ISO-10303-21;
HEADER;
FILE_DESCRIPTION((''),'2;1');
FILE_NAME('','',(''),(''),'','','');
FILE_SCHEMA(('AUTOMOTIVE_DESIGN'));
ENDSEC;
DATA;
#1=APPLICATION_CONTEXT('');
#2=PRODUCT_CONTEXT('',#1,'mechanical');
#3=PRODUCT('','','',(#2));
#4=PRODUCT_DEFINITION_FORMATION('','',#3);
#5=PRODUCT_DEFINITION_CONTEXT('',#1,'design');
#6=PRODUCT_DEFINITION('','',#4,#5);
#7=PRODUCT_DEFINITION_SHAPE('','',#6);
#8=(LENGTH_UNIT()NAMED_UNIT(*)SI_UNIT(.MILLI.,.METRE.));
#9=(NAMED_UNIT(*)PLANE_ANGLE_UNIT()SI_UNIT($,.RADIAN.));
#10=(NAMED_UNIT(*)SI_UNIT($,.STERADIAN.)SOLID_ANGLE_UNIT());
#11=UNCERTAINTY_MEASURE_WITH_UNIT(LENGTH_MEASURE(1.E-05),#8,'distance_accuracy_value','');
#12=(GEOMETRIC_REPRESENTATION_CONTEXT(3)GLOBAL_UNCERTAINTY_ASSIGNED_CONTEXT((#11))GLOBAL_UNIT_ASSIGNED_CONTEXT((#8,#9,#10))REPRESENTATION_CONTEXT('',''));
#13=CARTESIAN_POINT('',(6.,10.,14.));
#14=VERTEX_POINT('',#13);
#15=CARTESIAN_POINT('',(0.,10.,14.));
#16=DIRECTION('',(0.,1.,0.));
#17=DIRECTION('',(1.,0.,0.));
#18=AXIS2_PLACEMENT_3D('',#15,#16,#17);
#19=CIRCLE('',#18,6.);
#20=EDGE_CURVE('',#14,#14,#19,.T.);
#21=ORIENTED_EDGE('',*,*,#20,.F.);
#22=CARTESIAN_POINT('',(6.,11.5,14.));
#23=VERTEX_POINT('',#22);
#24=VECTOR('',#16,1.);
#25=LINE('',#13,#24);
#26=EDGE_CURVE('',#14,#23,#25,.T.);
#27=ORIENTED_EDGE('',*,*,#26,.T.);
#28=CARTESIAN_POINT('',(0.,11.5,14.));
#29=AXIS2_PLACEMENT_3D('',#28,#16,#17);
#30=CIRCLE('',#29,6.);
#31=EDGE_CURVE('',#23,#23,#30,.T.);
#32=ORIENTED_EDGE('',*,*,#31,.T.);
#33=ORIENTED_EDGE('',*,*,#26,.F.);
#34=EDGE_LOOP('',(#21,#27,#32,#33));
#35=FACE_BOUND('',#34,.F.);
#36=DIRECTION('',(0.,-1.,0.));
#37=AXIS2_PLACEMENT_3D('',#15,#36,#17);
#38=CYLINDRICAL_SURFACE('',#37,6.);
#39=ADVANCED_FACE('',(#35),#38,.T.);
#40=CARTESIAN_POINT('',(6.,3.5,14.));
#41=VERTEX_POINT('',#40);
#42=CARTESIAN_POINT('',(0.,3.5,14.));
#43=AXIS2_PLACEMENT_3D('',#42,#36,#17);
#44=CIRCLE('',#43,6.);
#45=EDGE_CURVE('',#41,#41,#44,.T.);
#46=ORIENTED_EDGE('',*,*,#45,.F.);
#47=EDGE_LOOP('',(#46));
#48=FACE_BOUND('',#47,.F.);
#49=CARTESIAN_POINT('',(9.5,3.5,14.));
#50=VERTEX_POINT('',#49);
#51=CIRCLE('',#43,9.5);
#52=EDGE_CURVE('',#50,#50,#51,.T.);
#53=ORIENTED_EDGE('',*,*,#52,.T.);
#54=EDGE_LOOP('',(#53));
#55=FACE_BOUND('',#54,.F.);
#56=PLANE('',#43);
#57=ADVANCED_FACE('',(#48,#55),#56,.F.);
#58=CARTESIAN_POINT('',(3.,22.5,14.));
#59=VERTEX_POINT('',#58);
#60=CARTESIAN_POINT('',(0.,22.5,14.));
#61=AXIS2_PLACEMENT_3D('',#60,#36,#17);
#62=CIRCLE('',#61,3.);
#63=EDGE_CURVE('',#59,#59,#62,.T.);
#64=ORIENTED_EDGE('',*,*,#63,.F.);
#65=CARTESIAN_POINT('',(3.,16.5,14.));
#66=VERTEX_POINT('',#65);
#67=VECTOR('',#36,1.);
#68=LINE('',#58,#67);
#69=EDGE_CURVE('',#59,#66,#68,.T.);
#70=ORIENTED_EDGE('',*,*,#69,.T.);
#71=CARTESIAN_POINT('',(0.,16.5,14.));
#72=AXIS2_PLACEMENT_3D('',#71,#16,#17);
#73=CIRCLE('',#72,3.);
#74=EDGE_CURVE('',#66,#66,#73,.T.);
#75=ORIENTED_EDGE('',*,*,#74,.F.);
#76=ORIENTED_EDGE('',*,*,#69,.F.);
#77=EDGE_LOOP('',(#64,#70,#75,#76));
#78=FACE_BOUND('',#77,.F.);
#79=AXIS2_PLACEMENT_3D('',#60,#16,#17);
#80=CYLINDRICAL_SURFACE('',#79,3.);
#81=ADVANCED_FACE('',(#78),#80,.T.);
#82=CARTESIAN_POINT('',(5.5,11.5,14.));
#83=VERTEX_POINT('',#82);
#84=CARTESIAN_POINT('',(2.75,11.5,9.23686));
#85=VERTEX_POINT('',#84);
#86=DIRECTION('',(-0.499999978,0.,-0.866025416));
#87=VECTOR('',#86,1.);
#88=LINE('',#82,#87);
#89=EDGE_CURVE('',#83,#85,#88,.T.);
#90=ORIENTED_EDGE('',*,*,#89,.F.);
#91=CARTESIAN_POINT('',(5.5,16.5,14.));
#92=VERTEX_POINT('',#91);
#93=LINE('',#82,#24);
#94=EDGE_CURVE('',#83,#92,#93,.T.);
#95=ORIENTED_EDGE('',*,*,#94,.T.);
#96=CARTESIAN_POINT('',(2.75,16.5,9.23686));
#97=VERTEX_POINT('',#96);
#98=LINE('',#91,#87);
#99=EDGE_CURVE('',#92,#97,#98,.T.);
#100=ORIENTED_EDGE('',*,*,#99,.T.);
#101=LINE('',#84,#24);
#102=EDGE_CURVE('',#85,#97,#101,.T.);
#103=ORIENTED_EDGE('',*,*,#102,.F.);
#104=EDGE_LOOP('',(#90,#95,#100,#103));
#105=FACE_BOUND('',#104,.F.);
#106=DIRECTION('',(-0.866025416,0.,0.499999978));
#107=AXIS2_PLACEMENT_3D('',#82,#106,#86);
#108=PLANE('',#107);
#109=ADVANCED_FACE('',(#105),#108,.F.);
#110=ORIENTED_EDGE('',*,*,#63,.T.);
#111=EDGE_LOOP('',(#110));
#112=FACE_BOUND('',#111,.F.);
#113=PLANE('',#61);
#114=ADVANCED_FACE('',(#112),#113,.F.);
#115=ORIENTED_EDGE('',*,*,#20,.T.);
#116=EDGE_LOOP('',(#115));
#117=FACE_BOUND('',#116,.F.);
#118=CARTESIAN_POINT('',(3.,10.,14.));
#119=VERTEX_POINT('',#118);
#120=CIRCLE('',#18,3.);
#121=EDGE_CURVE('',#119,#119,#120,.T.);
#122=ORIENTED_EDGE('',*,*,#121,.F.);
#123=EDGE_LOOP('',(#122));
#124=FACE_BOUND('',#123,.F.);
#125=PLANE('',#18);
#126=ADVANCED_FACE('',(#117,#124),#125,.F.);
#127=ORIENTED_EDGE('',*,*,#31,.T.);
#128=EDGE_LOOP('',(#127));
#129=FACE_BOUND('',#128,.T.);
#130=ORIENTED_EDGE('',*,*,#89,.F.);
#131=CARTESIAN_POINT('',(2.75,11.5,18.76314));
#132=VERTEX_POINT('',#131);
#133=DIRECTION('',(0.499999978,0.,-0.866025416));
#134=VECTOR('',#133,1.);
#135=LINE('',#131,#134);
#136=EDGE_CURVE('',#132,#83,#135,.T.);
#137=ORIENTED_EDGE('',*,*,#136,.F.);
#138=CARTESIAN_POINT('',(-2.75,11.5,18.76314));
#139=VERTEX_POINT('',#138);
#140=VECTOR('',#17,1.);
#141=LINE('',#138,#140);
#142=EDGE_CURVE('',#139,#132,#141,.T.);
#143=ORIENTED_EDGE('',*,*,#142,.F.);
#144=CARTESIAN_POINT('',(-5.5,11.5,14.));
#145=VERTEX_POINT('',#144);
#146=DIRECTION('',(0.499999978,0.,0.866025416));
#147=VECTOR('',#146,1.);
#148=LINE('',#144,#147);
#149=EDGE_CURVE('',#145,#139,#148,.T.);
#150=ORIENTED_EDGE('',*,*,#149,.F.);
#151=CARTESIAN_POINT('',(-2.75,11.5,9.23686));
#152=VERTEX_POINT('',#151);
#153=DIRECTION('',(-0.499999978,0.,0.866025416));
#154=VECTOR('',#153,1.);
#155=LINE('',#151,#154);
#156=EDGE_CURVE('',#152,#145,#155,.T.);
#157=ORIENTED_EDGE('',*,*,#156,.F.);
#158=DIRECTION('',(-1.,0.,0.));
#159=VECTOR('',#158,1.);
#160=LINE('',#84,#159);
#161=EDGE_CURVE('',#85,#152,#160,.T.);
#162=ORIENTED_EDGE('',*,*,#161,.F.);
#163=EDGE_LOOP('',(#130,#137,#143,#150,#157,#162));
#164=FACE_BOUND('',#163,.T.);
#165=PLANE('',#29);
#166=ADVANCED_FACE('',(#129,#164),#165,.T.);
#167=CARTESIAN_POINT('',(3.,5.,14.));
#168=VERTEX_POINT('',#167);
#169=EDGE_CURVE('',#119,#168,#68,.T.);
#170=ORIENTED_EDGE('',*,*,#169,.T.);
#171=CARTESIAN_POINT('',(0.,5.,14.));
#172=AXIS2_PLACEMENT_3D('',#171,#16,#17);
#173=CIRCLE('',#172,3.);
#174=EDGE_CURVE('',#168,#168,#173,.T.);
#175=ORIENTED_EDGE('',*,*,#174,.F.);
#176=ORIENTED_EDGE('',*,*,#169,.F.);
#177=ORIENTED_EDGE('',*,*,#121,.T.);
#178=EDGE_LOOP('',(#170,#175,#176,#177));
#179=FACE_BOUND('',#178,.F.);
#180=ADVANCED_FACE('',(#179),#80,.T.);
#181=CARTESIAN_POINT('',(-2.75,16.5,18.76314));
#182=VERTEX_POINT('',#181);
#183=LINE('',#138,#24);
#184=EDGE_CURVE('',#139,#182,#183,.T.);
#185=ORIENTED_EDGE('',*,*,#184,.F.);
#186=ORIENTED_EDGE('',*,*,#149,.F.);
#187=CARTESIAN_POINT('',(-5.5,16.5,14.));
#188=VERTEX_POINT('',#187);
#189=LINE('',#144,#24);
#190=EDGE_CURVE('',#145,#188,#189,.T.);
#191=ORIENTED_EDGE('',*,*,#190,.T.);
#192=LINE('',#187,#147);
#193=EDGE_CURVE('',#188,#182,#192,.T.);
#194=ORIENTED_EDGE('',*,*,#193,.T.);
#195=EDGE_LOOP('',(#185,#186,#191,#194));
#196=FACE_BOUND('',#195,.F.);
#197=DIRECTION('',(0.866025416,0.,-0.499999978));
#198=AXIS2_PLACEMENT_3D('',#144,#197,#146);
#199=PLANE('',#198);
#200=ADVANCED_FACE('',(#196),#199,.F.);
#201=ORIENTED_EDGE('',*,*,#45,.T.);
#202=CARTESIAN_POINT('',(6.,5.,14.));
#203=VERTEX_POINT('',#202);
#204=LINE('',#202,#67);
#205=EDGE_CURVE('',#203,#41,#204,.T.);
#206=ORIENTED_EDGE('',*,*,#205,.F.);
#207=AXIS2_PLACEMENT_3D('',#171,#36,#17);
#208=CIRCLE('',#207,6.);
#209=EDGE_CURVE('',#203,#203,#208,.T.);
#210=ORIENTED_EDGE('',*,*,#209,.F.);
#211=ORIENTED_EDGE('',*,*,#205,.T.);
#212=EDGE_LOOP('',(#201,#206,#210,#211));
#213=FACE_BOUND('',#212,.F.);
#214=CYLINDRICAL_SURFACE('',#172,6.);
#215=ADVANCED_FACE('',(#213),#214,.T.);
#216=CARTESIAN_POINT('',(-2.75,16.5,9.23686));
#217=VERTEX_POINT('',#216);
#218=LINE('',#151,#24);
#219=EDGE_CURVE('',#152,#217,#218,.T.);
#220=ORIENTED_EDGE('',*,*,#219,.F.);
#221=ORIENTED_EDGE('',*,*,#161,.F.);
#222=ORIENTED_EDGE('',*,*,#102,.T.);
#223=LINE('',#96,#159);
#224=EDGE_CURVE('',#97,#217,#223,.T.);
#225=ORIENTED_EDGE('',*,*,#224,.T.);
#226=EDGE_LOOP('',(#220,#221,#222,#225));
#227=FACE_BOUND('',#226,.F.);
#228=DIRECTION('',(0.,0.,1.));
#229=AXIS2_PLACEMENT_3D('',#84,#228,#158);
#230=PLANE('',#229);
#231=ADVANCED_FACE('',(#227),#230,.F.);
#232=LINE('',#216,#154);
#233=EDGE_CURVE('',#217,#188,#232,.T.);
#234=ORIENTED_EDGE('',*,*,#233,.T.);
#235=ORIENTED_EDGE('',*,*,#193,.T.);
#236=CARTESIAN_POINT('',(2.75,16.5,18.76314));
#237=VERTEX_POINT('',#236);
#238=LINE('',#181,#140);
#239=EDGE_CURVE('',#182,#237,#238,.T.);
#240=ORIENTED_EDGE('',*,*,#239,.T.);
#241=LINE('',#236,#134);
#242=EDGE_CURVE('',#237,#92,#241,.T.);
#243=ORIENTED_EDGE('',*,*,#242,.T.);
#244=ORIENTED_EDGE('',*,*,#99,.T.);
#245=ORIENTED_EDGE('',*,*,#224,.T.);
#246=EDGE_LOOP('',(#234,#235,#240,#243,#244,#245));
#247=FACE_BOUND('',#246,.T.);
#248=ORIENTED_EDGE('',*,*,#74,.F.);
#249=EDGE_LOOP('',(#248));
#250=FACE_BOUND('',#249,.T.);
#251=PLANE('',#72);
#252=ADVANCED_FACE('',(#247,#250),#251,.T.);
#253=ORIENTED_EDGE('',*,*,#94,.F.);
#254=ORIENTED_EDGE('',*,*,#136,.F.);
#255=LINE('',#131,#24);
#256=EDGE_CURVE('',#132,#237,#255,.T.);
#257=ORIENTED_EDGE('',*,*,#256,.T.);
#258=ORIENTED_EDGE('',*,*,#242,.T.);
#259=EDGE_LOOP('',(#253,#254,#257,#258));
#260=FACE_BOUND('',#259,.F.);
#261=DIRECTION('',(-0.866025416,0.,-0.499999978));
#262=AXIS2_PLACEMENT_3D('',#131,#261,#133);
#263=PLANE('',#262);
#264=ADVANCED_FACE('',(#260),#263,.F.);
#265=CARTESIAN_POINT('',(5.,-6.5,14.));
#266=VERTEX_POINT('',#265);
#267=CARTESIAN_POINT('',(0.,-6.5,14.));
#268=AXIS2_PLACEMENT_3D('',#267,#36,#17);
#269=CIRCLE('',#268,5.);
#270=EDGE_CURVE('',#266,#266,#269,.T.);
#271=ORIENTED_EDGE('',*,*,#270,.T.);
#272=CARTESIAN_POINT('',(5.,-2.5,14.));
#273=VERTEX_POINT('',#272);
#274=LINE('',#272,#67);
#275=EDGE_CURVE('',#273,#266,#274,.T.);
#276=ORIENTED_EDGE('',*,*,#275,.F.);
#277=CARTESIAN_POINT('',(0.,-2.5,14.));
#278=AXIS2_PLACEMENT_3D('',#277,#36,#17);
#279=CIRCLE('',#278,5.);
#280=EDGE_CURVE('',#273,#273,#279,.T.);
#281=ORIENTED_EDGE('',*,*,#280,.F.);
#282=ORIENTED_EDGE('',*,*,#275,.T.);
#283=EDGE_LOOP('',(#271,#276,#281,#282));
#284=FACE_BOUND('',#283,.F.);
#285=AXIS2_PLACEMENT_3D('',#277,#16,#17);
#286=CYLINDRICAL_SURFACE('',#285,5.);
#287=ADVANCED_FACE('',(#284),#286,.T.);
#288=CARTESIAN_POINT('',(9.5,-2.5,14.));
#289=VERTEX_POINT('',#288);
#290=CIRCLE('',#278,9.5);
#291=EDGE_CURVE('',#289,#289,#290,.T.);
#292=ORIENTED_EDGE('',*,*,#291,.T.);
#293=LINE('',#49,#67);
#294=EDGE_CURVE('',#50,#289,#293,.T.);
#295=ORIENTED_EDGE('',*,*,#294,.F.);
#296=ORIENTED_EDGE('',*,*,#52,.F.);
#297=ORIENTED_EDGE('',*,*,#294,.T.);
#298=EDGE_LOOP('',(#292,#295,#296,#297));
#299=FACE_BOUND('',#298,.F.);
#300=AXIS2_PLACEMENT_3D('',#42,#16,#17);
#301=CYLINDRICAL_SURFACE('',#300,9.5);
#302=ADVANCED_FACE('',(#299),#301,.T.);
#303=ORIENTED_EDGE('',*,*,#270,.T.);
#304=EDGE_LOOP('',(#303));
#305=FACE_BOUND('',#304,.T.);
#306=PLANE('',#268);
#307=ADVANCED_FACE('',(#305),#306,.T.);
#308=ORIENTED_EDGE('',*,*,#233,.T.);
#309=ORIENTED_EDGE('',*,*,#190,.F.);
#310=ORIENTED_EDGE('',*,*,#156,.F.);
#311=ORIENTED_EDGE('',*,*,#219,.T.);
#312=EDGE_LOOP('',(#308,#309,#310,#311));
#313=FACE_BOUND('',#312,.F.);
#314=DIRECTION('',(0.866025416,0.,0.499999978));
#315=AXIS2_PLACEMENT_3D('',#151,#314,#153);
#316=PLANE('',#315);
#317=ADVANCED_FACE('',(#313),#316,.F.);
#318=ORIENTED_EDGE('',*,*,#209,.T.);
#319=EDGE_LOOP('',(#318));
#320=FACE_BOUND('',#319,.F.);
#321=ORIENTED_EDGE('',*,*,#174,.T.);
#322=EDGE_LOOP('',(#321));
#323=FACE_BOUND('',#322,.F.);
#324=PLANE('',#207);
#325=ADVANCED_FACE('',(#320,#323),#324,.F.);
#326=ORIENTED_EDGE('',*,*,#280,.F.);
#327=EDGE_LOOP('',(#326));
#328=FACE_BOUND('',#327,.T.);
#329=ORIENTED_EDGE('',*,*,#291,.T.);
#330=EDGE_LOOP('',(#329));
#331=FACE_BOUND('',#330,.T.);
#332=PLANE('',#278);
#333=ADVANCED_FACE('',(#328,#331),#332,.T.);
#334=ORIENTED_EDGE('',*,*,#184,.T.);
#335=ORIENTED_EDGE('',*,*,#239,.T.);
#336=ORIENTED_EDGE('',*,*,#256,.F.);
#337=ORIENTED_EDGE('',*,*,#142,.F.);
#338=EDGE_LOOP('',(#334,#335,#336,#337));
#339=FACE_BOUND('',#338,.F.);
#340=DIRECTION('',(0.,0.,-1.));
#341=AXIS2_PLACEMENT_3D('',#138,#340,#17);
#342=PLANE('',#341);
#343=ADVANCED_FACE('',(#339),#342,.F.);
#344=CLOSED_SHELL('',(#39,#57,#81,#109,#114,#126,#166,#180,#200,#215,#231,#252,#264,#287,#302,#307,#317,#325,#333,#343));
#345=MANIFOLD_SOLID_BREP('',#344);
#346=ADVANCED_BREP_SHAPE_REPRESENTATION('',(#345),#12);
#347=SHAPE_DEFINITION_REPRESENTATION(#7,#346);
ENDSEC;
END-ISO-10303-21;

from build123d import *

# Parameters (mm, degrees)
CYLINDER008_R           = 6
CYLINDER008_DEPTH       = 1.5
PRISM001_DEPTH          = 5
FUSION006003_ROLL_ANGLE = -90
CYLINDER006_R           = 3
CYLINDER006_DEPTH       = 25
CYLINDER007_R           = 5
CYLINDER007_DEPTH       = 4
FUSION006002_ROLL_ANGLE = 90
CYLINDER005_R           = 9.5
CYLINDER005_DEPTH       = 6
CYLINDER005_ROLL_ANGLE  = 90
CYLINDER009_R           = 6
CYLINDER009_DEPTH       = 1.5
CYLINDER009_ROLL_ANGLE  = 90


with BuildPart() as cylinder006:
    # Cylinder008 → Cylinder008 (new body)
    with BuildSketch(Plane.XY):
        Circle(CYLINDER008_R)
    extrude(amount=CYLINDER008_DEPTH)


with BuildPart() as fusion006003:
    # Prism001 → Prism001 (new body)
    with BuildSketch(Plane.XY.offset(1.5)):
        Polygon((5.5, 0), (2.75, 4.76314), (-2.75, 4.76314), (-5.5, 0), (-2.75, -4.76314), (2.75, -4.76314), align=None)
    extrude(amount=PRISM001_DEPTH)

    # Fusion006003: union Cylinder006
    add(cylinder006.part)


with BuildPart() as fusion006003_1:
    # Fusion006003 roll: moved
    add(fusion006003.part.rotate(Axis((0, 0, 0), (1, 0, 0)), FUSION006003_ROLL_ANGLE))


with BuildPart() as fusion006003_2:
    # Fusion006003 placement: moved
    add(fusion006003_1.part.moved(Location((0, 10, 14))))


with BuildPart() as cylinder004:
    # Cylinder006 → Cylinder006 (new body)
    with BuildSketch(Plane.XY):
        Circle(CYLINDER006_R)
    extrude(amount=CYLINDER006_DEPTH)


with BuildPart() as belt_bearing_screw:
    # Cylinder007 → Cylinder007 (new body)
    with BuildSketch(Plane.XY.offset(25)):
        Circle(CYLINDER007_R)
    extrude(amount=CYLINDER007_DEPTH)

    # Fusion006002: union Cylinder004
    add(cylinder004.part)


with BuildPart() as belt_bearing_screw_1:
    # Fusion006002 roll: moved
    add(belt_bearing_screw.part.rotate(Axis((0, 0, 0), (1, 0, 0)), FUSION006002_ROLL_ANGLE))


with BuildPart() as belt_bearing_screw_2:
    # Fusion006002 placement: moved
    add(belt_bearing_screw_1.part.moved(Location((0, 22.5, 14))))


with BuildPart() as belt_bearing:
    # Cylinder005 → Cylinder005 (new body)
    with BuildSketch(Plane.XY):
        Circle(CYLINDER005_R)
    extrude(amount=CYLINDER005_DEPTH)


with BuildPart() as belt_bearing_1:
    # Cylinder005 roll: moved
    add(belt_bearing.part.rotate(Axis((0, 0, 0), (1, 0, 0)), CYLINDER005_ROLL_ANGLE))


with BuildPart() as belt_bearing_2:
    # Cylinder005 placement: moved
    add(belt_bearing_1.part.moved(Location((0, 3.5, 14))))


with BuildPart() as belt_holder:
    # Cylinder009 → Cylinder009 (new body)
    with BuildSketch(Plane.XY):
        Circle(CYLINDER009_R)
    extrude(amount=CYLINDER009_DEPTH)


with BuildPart() as belt_holder_1:
    # Cylinder009 roll: moved
    add(belt_holder.part.rotate(Axis((0, 0, 0), (1, 0, 0)), CYLINDER009_ROLL_ANGLE))


with BuildPart() as belt_holder_2:
    # Cylinder009 placement: moved
    add(belt_holder_1.part.moved(Location((0, 5, 14))))

    # Fusion006004: union Fusion006003, Belt_Bearing_Screw, Belt_Bearing
    add(fusion006003_2.part)
    add(belt_bearing_screw_2.part)
    add(belt_bearing_2.part)


solid = belt_holder_2.part
